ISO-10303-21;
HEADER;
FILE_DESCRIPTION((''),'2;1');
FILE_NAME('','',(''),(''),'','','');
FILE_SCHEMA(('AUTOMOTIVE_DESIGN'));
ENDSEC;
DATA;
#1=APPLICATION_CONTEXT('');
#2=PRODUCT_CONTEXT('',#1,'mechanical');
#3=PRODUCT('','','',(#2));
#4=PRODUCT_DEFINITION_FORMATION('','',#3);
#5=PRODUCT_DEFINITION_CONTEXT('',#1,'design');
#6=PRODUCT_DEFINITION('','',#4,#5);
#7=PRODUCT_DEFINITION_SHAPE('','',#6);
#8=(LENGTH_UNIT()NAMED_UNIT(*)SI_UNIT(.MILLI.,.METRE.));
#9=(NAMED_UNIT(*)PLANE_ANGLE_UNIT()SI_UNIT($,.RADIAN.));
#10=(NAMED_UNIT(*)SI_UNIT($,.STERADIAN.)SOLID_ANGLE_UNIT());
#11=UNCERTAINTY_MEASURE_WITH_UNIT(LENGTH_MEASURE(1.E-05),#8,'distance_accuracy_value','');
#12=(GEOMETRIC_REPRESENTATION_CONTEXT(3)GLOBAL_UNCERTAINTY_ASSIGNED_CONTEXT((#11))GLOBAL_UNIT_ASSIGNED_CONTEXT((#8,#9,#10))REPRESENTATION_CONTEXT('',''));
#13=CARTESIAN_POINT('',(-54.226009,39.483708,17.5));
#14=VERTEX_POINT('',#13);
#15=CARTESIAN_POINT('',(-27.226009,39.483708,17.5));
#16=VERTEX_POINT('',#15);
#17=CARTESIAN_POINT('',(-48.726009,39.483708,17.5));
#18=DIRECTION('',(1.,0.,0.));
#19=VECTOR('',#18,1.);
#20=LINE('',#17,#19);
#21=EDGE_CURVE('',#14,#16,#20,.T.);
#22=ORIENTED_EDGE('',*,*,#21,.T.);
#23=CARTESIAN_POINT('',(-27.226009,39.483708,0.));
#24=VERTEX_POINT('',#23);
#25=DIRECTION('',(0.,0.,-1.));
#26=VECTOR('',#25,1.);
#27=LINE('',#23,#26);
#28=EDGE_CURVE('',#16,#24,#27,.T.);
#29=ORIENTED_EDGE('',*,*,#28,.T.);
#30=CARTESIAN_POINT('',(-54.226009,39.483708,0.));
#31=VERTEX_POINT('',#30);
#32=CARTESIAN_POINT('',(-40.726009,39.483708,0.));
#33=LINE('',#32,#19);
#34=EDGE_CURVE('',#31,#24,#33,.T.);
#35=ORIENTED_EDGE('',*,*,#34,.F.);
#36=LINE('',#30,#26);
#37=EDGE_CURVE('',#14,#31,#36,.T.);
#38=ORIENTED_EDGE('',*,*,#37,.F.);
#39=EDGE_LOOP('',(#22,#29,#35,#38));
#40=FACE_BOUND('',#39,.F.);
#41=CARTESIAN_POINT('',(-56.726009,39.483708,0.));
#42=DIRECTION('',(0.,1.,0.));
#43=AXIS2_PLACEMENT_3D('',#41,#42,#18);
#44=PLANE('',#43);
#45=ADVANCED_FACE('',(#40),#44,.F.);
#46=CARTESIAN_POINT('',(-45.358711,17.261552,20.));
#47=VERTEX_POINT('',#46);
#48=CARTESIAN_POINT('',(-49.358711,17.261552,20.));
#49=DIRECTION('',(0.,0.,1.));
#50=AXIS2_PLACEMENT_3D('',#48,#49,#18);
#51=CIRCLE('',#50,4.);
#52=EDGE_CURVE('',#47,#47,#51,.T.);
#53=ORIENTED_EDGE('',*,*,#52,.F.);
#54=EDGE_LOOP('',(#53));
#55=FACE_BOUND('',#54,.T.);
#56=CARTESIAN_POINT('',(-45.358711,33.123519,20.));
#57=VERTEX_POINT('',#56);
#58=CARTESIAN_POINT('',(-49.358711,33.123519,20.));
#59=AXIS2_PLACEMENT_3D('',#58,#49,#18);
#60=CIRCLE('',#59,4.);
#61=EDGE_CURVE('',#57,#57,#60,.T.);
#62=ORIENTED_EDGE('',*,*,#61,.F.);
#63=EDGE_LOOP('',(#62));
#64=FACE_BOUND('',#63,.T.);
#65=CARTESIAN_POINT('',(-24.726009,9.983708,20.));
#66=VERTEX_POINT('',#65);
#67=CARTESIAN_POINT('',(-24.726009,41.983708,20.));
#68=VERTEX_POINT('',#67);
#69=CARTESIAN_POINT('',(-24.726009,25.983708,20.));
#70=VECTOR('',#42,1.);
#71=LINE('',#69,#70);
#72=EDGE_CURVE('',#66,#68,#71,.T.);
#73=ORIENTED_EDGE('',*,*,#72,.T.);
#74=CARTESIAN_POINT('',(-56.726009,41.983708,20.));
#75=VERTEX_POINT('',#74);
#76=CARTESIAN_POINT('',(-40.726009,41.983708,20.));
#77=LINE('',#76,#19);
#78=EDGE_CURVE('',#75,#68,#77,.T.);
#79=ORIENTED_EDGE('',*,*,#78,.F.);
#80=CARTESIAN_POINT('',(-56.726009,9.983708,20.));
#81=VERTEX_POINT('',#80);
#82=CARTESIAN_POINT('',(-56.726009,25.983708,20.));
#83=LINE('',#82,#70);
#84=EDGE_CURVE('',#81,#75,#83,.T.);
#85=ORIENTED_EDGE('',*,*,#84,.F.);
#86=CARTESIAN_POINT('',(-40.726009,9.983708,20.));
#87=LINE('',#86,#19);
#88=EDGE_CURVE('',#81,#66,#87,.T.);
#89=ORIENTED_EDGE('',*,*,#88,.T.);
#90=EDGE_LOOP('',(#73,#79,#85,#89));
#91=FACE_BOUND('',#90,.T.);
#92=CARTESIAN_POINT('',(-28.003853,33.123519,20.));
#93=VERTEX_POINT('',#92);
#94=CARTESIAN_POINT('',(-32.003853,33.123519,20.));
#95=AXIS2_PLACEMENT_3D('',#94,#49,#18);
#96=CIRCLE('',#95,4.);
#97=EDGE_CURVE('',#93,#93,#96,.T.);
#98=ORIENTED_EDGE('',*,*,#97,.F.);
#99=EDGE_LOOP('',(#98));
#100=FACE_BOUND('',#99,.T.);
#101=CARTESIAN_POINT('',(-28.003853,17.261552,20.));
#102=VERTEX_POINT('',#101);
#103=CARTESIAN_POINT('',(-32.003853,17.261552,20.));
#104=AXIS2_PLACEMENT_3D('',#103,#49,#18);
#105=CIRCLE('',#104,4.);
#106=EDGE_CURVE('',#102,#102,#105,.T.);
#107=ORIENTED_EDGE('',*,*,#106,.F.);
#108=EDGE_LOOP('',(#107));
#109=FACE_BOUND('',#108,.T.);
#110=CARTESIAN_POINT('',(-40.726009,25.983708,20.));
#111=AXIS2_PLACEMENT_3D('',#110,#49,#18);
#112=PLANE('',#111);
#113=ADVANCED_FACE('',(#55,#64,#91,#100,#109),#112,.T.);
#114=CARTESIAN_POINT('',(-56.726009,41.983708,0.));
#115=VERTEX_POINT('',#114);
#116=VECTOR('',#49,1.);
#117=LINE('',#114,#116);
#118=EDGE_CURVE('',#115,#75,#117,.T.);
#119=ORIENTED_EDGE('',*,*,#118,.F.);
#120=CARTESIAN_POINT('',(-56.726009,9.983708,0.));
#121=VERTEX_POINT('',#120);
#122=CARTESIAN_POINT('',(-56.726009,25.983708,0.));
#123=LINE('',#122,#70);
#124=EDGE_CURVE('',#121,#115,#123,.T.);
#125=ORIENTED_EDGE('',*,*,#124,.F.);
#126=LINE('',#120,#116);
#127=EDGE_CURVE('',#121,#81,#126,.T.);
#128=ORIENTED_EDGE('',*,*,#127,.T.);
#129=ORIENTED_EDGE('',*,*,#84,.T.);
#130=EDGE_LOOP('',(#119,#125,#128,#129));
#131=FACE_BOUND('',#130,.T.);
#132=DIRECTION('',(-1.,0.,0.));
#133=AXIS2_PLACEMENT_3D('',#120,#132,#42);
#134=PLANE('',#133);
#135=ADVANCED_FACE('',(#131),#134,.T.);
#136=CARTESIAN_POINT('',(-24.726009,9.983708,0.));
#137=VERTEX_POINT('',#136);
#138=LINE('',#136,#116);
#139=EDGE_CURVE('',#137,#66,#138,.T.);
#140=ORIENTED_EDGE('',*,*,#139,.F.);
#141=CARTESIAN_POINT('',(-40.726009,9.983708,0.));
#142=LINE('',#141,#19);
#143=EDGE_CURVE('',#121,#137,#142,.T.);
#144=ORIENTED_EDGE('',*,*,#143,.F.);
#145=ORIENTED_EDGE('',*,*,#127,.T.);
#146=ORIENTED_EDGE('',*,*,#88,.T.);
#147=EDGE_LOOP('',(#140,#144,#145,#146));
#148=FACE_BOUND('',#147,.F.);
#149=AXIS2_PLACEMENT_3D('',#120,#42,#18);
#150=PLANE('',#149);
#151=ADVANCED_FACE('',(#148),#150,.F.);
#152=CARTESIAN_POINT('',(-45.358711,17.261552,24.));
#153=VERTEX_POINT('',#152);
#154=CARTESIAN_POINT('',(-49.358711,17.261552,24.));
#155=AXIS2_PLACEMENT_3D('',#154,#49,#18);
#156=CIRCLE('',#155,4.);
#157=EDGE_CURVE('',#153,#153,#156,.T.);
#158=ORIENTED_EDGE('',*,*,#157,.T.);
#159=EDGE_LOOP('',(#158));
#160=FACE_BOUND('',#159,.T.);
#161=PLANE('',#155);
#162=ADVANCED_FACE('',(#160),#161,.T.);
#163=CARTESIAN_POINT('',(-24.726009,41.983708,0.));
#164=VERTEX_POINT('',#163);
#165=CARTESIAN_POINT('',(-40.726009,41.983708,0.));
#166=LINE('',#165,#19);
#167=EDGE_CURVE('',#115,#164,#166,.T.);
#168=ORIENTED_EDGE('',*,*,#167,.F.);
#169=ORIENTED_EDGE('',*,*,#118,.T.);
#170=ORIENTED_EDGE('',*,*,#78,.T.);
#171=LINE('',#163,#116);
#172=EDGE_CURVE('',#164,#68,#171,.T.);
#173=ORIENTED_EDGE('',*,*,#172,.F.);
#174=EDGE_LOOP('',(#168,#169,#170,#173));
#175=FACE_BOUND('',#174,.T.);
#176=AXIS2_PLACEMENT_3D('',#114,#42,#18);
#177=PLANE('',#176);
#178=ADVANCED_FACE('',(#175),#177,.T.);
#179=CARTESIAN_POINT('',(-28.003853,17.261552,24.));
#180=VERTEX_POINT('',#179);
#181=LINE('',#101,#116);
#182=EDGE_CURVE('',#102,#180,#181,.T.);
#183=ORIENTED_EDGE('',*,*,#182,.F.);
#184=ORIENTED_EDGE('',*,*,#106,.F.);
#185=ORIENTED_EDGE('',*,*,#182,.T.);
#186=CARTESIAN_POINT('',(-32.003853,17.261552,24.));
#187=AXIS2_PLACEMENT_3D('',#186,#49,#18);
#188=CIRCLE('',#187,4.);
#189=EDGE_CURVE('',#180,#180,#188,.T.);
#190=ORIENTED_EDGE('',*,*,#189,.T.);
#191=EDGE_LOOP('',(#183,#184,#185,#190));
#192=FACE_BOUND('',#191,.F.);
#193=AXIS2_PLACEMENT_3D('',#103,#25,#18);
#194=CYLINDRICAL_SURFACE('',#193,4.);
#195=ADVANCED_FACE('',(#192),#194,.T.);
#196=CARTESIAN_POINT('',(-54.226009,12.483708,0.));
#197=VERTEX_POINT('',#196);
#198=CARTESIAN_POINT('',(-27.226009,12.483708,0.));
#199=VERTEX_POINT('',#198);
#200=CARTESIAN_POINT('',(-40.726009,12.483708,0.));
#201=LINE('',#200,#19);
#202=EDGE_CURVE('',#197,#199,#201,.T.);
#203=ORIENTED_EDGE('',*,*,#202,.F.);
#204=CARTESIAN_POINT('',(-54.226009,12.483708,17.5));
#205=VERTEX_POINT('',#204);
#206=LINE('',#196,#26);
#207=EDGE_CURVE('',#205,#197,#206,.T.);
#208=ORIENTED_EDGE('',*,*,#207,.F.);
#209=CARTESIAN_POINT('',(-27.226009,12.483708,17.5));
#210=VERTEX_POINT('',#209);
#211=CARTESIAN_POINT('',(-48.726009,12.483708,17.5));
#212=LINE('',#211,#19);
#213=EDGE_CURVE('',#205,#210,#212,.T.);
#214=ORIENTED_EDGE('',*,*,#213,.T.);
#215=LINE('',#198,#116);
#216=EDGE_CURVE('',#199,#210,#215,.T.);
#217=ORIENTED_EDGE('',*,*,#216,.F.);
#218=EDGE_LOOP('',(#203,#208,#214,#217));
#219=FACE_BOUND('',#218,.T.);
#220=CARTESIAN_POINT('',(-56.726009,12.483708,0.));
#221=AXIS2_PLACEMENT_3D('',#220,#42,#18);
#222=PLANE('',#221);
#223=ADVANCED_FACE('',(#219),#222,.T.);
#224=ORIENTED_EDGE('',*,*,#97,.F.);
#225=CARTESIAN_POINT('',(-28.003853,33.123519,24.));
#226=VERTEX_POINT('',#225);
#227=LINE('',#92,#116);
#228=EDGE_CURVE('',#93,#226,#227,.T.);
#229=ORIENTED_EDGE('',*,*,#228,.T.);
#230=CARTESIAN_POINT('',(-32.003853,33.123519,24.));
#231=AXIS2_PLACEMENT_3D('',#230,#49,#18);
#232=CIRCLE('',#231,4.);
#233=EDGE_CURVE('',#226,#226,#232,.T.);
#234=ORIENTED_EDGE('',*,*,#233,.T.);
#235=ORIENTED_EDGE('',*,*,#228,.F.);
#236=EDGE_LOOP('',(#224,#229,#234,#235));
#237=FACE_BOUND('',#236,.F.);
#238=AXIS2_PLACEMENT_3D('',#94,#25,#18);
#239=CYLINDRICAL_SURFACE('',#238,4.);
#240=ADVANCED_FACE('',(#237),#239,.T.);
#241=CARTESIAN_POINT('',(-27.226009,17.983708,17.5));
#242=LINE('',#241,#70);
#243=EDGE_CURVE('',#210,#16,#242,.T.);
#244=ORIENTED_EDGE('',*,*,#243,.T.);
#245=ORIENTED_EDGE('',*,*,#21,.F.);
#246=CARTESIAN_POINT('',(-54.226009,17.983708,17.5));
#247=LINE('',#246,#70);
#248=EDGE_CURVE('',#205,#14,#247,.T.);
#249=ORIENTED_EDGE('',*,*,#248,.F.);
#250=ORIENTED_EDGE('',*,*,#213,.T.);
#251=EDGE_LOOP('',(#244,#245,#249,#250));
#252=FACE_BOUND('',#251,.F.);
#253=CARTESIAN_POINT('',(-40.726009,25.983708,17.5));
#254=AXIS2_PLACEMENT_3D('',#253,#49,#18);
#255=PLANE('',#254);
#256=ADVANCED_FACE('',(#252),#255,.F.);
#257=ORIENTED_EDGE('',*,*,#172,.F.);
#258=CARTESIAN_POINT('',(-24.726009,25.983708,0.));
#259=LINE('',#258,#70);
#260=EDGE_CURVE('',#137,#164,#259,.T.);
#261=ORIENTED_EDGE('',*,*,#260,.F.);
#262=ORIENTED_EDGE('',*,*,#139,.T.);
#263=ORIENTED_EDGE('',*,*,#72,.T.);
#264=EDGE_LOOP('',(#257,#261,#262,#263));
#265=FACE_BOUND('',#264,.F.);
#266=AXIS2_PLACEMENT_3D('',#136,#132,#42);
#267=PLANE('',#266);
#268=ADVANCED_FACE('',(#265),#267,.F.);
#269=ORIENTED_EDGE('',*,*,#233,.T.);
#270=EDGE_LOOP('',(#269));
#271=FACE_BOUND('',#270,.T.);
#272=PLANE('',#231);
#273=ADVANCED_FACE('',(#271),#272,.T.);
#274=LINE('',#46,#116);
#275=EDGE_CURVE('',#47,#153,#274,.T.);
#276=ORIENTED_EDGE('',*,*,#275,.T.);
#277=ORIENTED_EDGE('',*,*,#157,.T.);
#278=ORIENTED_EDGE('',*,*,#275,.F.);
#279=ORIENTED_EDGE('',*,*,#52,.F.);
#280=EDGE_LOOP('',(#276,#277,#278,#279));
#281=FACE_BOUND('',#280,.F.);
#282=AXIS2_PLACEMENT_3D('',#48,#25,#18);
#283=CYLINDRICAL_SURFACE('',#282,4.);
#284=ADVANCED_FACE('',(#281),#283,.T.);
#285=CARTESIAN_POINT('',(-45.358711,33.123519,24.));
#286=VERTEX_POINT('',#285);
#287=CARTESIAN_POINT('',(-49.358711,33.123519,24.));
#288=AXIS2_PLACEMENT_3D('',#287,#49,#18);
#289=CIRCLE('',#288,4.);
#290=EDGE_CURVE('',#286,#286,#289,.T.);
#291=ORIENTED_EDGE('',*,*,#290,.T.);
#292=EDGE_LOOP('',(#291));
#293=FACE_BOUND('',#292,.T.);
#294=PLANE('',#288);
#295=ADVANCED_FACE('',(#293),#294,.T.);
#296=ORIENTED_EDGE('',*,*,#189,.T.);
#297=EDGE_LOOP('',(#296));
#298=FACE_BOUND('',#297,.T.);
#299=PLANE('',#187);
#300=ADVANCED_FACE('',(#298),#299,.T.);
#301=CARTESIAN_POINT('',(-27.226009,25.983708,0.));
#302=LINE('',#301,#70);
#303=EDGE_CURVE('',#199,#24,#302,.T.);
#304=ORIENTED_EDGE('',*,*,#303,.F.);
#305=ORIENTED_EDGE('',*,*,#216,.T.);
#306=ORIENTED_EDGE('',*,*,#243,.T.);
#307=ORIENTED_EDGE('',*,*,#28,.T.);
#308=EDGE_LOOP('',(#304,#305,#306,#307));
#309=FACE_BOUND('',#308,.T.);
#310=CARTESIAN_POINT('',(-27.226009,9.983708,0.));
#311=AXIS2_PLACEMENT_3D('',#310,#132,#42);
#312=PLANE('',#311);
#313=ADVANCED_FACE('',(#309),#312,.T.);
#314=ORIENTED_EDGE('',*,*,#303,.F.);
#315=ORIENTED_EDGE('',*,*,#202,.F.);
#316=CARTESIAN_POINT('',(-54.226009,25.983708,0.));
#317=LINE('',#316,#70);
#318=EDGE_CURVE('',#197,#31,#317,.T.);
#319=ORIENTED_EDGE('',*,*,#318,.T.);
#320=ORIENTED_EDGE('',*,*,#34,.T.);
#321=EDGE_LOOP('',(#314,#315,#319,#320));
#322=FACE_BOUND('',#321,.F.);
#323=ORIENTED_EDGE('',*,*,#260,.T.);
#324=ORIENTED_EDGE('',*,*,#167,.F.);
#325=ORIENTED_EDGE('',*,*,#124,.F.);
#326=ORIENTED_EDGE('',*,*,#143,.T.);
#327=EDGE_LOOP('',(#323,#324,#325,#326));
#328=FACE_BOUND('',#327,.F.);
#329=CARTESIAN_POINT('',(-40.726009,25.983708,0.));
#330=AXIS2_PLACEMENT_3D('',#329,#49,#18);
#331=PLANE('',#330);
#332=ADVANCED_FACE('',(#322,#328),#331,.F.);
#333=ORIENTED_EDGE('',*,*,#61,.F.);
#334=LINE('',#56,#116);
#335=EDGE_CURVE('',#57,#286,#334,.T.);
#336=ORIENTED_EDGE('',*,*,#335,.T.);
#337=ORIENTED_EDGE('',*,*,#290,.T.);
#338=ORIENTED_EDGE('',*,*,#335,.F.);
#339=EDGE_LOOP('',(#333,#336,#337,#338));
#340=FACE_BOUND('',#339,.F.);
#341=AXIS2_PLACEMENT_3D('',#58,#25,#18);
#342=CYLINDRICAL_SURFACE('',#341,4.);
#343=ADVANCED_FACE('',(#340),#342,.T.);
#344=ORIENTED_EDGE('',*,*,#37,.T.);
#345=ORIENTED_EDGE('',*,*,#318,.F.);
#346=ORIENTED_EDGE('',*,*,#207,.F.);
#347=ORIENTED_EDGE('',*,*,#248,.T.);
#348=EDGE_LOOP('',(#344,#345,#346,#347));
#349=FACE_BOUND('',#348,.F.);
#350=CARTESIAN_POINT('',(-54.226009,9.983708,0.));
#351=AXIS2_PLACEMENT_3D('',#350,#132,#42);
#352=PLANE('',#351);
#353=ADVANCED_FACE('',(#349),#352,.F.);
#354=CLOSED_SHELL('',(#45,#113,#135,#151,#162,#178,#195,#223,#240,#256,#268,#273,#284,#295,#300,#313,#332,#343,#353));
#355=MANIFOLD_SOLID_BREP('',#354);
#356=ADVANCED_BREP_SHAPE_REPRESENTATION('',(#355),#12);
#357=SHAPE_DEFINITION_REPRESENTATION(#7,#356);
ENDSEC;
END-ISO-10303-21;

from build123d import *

# Parameters (mm, degrees)
F0_W     = 32
F0_H     = 32
F1_DEPTH = 20
F2_T     = -2.5
F3_R     = 4
F4_DEPTH = 4


with BuildPart() as f1:
    # F0 (on Top) → F1 (new body)
    with BuildSketch(Plane.XY):
        with Locations((-40.726009, 25.983708)):
            Rectangle(F0_W, F0_H)
    extrude(amount=F1_DEPTH)

    # F2
    f2_openings = [f1.faces().sort_by_distance(p)[0] for p in [
        (-40.726009, 25.983708, 0),
    ]]
    offset(amount=F2_T, openings=f2_openings)

    # F3 (on face) → F4 (join)
    with BuildSketch(Plane.XY.offset(20)):
        with Locations((-49.358711, 33.123519)):
            Circle(F3_R)
        with Locations((-49.358711, 17.261552)):
            Circle(F3_R)
        with Locations((-32.003853, 17.261552)):
            Circle(F3_R)
        with Locations((-32.003853, 33.123519)):
            Circle(F3_R)
    extrude(amount=F4_DEPTH)


solid = f1.part
